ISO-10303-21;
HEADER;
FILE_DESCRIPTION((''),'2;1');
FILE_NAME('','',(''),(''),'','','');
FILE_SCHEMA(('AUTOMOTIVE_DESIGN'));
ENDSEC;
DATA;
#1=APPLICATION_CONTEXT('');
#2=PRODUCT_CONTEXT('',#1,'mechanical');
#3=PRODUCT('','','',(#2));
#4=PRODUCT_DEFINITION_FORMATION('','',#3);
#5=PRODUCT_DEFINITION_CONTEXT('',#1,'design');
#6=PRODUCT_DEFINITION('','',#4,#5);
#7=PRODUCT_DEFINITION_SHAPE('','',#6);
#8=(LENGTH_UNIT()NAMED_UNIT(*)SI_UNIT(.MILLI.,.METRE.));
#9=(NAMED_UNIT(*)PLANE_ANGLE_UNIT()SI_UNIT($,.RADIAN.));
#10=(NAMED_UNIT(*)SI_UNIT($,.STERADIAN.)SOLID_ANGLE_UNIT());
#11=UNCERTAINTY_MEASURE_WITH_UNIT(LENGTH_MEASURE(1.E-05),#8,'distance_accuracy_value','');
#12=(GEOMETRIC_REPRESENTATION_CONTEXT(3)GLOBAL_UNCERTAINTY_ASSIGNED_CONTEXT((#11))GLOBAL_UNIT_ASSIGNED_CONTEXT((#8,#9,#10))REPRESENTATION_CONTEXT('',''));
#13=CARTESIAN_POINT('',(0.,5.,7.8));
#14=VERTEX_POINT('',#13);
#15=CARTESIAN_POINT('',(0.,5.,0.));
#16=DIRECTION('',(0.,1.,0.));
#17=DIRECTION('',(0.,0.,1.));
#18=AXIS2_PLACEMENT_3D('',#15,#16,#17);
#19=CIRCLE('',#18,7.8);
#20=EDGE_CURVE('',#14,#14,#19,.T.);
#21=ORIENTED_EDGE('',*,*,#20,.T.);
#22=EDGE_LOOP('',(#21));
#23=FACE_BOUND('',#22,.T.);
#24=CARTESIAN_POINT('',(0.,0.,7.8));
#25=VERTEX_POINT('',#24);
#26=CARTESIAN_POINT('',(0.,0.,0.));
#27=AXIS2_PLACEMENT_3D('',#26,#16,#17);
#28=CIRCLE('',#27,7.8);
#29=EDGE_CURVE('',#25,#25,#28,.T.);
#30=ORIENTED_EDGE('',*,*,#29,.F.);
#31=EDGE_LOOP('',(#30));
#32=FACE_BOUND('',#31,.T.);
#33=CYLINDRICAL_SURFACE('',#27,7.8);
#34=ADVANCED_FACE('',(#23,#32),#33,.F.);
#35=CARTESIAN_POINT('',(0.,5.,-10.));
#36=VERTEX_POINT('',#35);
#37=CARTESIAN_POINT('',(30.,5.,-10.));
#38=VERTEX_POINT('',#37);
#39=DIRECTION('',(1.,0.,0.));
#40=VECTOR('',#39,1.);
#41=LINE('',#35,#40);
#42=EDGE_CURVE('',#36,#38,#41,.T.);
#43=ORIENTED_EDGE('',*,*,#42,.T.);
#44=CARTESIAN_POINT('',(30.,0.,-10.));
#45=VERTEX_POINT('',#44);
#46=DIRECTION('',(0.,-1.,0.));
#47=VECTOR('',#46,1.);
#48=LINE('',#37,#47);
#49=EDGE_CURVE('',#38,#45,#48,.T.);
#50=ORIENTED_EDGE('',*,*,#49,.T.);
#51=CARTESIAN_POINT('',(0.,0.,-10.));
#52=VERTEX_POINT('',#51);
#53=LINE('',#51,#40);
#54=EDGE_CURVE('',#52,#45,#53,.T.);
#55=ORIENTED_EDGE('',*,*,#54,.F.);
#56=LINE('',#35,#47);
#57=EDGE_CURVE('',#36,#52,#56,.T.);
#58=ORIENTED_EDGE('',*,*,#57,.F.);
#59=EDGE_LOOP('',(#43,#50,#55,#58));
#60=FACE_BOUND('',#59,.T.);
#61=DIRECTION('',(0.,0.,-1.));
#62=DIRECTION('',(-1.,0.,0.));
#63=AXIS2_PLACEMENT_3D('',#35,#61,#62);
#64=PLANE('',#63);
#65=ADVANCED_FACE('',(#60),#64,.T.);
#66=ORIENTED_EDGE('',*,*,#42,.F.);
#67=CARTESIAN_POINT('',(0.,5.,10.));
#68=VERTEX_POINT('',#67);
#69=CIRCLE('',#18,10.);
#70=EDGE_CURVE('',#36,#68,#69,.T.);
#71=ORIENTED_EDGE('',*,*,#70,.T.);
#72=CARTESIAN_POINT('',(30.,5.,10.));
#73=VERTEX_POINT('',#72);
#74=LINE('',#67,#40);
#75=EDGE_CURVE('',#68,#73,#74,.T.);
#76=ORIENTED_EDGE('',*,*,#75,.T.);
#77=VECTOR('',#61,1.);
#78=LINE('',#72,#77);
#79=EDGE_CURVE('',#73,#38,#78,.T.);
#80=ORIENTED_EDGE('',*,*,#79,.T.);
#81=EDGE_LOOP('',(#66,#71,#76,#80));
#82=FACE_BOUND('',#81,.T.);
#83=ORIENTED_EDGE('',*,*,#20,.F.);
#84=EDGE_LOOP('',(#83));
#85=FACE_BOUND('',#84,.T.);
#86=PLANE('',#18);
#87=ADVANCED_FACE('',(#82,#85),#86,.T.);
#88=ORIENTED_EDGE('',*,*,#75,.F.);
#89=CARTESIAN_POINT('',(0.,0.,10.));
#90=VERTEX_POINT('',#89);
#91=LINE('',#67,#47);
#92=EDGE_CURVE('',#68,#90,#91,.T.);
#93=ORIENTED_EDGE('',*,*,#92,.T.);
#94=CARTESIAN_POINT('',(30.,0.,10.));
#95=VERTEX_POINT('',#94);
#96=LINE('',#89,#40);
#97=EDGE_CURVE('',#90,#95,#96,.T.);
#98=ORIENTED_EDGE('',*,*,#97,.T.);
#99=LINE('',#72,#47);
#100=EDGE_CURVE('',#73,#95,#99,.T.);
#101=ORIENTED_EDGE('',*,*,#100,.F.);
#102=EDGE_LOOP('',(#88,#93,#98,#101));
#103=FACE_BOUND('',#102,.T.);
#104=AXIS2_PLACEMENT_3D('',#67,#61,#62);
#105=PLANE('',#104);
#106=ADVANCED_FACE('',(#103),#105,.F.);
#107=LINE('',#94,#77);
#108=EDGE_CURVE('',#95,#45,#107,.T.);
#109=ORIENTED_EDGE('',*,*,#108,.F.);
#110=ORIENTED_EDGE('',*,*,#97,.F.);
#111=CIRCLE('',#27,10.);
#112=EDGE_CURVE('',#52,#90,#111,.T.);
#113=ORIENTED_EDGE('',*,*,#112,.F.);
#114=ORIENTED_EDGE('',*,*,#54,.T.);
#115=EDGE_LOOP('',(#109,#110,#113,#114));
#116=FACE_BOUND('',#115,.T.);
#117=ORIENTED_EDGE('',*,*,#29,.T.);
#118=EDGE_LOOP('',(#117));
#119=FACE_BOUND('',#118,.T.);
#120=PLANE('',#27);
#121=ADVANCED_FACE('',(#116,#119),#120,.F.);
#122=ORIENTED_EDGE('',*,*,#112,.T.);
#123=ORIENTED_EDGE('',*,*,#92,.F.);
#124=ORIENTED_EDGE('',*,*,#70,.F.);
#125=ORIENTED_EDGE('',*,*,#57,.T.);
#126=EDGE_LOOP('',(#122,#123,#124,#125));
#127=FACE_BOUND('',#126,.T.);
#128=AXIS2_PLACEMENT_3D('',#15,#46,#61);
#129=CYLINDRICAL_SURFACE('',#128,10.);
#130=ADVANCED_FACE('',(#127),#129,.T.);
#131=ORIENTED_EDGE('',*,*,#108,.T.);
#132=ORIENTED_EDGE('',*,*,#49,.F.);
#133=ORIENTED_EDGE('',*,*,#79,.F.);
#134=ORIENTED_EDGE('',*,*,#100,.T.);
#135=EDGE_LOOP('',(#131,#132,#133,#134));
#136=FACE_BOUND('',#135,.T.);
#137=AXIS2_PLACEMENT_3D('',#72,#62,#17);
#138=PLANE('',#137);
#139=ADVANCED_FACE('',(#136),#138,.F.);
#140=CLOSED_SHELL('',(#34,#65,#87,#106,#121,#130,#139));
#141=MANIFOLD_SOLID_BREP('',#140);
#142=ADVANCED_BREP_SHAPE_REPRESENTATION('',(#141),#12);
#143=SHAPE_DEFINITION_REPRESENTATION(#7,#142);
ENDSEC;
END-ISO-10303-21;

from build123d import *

# Parameters (mm, degrees)
SALIENTE_EXTRUIR1_DEPTH = 5
CROQUIS2_R              = 7.8
CORTAR_EXTRUIR1_DEPTH   = 5


with BuildPart() as part:
    # Croquis1 → Saliente-Extruir1 (new body)
    with BuildSketch(Plane(origin=(0, 0, 0), x_dir=(1, 0, 0), z_dir=(0, 1, 0))):
        with BuildLine():
            Line((0, -10), (30, -10))
            Line((30, -10), (30, 10))
            Line((30, 10), (0, 10))
            ThreePointArc((0, 10), (-10, 0), (0, -10))
        make_face()
    extrude(amount=SALIENTE_EXTRUIR1_DEPTH)

    # Croquis2 → Cortar-Extruir1 (cut)
    with BuildSketch(Plane(origin=(0, 5, 0), x_dir=(1, 0, 0), z_dir=(0, 1, 0))):
        with Locations(Location((0, 0, 0), (0, 0, 270))):
            Circle(CROQUIS2_R)
    extrude(amount=-CORTAR_EXTRUIR1_DEPTH, mode=Mode.SUBTRACT)


solid = part.part
